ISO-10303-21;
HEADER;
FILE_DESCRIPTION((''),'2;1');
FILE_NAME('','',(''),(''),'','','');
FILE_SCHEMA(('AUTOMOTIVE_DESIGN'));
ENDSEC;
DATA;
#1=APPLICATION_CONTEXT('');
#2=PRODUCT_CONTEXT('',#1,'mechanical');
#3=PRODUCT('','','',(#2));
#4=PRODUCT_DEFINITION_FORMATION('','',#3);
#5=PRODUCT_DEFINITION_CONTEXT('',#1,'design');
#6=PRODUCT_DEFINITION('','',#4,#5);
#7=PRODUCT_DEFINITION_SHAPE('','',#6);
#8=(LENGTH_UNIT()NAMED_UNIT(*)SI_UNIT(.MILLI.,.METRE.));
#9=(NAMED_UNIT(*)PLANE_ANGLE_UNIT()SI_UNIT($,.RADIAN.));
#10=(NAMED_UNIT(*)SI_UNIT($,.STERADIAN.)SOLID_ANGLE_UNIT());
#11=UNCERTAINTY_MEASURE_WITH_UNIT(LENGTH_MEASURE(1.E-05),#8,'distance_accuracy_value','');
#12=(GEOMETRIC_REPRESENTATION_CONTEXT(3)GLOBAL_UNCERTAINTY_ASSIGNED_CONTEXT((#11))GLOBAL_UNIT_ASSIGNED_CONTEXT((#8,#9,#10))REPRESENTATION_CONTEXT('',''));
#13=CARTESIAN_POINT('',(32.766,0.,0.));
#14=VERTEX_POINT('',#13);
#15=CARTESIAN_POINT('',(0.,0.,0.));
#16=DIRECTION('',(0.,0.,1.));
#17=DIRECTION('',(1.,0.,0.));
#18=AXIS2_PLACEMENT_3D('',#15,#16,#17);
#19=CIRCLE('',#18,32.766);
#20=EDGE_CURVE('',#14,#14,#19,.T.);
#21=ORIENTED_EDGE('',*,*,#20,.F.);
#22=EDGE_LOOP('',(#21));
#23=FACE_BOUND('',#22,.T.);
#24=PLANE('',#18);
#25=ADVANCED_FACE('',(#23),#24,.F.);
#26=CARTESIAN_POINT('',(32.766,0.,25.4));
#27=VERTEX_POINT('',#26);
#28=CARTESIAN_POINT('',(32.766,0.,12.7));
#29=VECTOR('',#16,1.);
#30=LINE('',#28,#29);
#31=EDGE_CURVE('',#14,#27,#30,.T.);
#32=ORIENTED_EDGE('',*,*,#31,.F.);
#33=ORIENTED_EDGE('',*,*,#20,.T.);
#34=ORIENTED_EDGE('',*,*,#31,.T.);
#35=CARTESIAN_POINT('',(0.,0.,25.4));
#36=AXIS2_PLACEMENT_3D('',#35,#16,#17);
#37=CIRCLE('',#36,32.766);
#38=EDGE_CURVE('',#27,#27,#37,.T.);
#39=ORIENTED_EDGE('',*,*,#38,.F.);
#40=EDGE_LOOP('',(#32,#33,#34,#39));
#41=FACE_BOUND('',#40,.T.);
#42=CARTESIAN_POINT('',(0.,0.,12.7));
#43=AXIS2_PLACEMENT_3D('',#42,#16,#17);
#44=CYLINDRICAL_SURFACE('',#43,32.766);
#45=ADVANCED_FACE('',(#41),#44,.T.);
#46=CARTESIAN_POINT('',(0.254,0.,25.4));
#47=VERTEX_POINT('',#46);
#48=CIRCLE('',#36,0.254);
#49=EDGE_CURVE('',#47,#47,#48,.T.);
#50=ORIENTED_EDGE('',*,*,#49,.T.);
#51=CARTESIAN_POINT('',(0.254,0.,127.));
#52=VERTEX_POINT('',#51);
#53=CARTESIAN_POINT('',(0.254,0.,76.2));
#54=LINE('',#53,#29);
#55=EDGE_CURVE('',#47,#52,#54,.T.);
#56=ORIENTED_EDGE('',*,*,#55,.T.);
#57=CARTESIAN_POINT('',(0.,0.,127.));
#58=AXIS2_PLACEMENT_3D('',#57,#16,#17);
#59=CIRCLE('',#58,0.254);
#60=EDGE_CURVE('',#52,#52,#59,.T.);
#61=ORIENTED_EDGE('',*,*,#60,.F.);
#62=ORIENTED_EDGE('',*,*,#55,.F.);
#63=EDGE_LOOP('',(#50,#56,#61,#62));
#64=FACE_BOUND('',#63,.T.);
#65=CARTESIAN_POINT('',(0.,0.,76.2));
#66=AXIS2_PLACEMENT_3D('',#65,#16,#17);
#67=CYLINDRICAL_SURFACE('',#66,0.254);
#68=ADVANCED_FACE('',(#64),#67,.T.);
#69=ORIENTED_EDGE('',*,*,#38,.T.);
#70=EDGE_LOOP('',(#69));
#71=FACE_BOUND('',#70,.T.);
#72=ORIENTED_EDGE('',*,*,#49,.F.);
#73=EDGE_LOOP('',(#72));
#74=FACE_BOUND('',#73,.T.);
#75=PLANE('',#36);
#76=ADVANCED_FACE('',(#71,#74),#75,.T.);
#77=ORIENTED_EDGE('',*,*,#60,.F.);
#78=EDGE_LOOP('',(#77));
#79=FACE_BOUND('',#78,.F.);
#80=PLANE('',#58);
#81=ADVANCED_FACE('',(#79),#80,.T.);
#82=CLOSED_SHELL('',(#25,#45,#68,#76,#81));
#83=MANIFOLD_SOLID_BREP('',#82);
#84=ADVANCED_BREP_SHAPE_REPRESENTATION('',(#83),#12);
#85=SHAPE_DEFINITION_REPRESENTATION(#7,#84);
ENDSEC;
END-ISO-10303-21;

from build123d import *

# Parameters (mm, degrees)
F0_W   = 0.254
F0_H   = 25.4
F0_W_2 = 32.512
F0_H_2 = 101.6


with BuildPart() as f1:
    # F0 (on Front) → F1 (revolve)
    with BuildSketch(Plane.XZ):
        with Locations((0.127, 12.7)):
            Rectangle(F0_W, F0_H)
        with Locations((16.51, 12.7)):
            Rectangle(F0_W_2, F0_H)
        with Locations((0.127, 76.2)):
            Rectangle(F0_W, F0_H_2)
    revolve(axis=Axis((0, 0, 63.5), (0, 0, 1)))


solid = f1.part
